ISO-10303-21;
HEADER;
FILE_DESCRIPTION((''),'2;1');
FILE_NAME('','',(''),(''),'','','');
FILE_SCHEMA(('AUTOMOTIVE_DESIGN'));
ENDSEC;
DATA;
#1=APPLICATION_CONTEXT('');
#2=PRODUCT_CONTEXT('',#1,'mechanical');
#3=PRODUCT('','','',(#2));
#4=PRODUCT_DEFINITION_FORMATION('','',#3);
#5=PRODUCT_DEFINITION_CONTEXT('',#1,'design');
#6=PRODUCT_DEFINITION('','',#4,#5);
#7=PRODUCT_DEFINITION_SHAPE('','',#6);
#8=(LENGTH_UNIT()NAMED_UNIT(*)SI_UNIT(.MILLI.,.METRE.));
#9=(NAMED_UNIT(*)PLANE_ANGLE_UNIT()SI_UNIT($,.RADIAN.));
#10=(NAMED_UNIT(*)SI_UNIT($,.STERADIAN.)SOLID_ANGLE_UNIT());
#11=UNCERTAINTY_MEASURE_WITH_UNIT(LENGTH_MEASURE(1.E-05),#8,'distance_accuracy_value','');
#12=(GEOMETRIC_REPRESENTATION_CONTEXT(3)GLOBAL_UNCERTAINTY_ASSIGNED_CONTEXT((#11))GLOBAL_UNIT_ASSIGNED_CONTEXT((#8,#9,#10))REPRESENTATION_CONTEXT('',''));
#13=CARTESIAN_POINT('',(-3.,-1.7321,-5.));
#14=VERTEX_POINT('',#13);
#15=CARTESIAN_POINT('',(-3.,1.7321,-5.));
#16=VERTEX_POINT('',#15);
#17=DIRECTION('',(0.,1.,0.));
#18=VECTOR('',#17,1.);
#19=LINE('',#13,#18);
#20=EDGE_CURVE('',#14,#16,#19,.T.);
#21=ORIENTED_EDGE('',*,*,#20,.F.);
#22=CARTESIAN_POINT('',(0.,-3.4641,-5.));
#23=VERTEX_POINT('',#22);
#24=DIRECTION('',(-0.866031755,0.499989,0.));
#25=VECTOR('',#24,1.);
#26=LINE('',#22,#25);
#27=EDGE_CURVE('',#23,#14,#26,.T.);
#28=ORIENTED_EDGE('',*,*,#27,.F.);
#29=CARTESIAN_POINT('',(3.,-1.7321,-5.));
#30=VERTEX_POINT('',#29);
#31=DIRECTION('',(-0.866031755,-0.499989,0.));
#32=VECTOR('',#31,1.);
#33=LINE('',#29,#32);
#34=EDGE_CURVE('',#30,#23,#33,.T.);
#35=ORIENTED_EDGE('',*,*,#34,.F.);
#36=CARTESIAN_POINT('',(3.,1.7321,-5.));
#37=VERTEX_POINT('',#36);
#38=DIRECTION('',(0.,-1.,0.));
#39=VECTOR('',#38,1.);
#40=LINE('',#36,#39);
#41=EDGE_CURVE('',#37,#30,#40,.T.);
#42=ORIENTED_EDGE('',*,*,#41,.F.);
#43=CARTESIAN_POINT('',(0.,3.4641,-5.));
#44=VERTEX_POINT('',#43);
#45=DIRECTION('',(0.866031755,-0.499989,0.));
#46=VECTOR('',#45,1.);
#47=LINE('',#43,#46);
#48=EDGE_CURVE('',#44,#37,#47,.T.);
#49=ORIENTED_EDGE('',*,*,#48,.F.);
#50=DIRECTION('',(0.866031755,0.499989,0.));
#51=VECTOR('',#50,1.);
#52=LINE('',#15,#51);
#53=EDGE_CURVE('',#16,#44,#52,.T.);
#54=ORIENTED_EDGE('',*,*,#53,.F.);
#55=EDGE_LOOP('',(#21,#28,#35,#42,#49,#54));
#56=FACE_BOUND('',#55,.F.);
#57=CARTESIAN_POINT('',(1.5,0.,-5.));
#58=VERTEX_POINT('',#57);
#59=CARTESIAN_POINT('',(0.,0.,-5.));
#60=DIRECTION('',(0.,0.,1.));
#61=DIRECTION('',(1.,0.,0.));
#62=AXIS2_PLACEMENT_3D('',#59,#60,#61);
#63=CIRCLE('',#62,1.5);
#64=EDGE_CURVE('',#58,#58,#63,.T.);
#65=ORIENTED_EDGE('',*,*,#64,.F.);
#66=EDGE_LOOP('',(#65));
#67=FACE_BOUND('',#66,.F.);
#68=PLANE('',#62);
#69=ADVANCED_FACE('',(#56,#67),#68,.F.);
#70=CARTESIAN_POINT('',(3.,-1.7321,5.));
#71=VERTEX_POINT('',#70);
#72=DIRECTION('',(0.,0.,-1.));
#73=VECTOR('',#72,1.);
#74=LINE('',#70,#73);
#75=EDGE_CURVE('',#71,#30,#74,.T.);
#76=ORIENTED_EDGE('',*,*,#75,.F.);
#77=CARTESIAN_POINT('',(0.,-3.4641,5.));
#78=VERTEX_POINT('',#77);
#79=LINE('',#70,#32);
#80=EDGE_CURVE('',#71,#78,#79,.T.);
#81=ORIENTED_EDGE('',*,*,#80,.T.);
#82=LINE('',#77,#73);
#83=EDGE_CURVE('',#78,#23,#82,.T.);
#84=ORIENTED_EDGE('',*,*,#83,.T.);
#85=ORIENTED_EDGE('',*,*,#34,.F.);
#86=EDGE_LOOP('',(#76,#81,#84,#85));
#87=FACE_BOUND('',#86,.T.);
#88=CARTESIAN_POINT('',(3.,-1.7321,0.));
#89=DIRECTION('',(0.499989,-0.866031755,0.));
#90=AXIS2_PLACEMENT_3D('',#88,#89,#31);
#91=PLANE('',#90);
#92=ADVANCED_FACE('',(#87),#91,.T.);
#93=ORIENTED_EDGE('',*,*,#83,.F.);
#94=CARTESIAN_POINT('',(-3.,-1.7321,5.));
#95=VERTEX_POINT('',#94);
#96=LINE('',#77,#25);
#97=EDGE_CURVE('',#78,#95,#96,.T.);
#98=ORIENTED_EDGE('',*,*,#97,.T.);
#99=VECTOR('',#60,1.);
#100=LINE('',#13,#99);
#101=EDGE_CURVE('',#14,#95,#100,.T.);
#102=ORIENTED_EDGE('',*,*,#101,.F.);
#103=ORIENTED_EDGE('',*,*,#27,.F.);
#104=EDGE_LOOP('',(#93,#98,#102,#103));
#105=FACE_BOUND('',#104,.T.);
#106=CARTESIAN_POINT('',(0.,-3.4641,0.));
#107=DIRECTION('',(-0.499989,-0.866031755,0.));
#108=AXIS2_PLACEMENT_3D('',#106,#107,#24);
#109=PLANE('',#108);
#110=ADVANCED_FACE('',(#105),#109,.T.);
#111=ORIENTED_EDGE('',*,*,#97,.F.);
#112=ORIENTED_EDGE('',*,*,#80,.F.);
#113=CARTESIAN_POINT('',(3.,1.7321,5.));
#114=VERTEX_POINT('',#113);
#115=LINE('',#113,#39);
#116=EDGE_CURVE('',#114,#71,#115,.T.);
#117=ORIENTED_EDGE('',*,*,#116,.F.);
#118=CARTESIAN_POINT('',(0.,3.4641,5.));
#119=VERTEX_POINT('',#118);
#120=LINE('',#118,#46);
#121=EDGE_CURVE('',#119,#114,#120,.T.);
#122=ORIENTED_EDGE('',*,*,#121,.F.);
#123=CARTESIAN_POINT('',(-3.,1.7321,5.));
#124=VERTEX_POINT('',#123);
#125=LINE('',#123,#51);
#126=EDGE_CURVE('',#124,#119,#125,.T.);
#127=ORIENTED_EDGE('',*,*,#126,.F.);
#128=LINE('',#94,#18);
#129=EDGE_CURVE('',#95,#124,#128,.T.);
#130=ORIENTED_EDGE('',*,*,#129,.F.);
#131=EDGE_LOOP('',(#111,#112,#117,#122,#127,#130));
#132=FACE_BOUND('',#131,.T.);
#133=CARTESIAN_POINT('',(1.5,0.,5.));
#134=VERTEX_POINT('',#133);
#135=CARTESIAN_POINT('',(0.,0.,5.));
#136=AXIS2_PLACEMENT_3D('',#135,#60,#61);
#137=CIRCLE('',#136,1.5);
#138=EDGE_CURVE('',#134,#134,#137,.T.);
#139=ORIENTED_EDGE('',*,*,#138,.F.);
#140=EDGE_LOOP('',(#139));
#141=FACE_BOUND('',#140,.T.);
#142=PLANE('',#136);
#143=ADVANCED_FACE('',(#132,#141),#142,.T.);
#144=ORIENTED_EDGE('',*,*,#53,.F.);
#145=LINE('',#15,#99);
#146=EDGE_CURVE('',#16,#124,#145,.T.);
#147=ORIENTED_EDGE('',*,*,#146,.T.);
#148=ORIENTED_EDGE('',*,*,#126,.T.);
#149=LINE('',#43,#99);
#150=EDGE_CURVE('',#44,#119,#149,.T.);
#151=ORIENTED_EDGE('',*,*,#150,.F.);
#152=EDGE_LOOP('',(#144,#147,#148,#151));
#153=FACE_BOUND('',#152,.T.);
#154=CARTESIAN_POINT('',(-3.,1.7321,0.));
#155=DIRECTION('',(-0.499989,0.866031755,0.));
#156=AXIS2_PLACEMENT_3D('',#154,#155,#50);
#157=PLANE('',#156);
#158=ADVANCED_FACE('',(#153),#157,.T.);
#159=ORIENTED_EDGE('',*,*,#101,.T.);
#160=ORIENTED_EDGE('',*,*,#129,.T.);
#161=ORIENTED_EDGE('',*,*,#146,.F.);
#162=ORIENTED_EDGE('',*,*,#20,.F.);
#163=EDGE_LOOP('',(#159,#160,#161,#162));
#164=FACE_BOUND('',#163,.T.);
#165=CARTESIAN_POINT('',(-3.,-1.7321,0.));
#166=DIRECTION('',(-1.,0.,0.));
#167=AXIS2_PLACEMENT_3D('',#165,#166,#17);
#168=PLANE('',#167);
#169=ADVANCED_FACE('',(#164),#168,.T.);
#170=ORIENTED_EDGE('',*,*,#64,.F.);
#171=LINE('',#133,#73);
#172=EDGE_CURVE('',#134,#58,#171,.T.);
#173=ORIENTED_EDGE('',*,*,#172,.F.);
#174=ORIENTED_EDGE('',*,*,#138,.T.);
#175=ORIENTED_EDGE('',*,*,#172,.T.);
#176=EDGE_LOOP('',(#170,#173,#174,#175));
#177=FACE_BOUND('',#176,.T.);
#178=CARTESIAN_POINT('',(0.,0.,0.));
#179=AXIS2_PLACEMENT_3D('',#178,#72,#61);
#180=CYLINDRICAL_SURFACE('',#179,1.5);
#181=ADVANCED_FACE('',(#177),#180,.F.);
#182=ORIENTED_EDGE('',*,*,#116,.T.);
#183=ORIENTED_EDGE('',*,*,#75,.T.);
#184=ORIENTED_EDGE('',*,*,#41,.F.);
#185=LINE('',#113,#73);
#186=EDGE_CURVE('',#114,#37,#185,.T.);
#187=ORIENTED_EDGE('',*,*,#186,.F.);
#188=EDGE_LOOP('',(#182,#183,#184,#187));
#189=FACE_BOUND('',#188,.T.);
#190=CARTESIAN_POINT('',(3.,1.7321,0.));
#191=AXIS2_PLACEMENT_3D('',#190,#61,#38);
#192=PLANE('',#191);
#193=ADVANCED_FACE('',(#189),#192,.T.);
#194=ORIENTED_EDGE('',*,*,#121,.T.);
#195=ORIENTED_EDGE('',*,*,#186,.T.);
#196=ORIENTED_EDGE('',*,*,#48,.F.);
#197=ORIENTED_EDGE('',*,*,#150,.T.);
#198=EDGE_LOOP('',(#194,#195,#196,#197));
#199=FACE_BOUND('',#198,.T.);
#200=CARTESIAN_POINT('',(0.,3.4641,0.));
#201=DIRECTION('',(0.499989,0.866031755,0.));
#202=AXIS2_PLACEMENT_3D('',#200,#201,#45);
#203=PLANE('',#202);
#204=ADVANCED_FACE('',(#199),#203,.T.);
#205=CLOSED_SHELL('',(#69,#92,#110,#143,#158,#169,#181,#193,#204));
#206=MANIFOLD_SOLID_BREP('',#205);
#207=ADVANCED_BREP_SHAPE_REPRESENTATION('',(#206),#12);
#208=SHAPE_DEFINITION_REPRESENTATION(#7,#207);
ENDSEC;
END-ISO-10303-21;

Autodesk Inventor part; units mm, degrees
ref_plane "YZ Plane" through (0, 0, 0) normal (1, 0, 0) x (0, 1, 0)
ref_plane "XZ Plane" through (0, 0, 0) normal (0, 1, 0) x (-1, 0, 0)
ref_plane "XY Plane" through (0, 0, 0) normal (0, 0, 1) x (1, 0, 0)
sketch "Эскиз1" plane through (0, 0, 0) normal (0, 0, 1) x (1, 0, 0)
  line L0 (0, 3.4641) -> (3, 1.7321)
  line L1 (3, 1.7321) -> (3, -1.7321)
  line L2 (3, -1.7321) -> (0, -3.4641)
  line L3 (0, -3.4641) -> (-3, -1.7321)
  line L4 (-3, -1.7321) -> (-3, 1.7321)
  line L5 (-3, 1.7321) -> (0, 3.4641)
  circle A0 centre (0, 0) radius 1.5
  dimension "d0" = 3
  dimension "d1" = 6
extrude "Выдавливание1" add sketch "Эскиз1" along normal mid plane 10
properties part number "Стойка м3х10"
